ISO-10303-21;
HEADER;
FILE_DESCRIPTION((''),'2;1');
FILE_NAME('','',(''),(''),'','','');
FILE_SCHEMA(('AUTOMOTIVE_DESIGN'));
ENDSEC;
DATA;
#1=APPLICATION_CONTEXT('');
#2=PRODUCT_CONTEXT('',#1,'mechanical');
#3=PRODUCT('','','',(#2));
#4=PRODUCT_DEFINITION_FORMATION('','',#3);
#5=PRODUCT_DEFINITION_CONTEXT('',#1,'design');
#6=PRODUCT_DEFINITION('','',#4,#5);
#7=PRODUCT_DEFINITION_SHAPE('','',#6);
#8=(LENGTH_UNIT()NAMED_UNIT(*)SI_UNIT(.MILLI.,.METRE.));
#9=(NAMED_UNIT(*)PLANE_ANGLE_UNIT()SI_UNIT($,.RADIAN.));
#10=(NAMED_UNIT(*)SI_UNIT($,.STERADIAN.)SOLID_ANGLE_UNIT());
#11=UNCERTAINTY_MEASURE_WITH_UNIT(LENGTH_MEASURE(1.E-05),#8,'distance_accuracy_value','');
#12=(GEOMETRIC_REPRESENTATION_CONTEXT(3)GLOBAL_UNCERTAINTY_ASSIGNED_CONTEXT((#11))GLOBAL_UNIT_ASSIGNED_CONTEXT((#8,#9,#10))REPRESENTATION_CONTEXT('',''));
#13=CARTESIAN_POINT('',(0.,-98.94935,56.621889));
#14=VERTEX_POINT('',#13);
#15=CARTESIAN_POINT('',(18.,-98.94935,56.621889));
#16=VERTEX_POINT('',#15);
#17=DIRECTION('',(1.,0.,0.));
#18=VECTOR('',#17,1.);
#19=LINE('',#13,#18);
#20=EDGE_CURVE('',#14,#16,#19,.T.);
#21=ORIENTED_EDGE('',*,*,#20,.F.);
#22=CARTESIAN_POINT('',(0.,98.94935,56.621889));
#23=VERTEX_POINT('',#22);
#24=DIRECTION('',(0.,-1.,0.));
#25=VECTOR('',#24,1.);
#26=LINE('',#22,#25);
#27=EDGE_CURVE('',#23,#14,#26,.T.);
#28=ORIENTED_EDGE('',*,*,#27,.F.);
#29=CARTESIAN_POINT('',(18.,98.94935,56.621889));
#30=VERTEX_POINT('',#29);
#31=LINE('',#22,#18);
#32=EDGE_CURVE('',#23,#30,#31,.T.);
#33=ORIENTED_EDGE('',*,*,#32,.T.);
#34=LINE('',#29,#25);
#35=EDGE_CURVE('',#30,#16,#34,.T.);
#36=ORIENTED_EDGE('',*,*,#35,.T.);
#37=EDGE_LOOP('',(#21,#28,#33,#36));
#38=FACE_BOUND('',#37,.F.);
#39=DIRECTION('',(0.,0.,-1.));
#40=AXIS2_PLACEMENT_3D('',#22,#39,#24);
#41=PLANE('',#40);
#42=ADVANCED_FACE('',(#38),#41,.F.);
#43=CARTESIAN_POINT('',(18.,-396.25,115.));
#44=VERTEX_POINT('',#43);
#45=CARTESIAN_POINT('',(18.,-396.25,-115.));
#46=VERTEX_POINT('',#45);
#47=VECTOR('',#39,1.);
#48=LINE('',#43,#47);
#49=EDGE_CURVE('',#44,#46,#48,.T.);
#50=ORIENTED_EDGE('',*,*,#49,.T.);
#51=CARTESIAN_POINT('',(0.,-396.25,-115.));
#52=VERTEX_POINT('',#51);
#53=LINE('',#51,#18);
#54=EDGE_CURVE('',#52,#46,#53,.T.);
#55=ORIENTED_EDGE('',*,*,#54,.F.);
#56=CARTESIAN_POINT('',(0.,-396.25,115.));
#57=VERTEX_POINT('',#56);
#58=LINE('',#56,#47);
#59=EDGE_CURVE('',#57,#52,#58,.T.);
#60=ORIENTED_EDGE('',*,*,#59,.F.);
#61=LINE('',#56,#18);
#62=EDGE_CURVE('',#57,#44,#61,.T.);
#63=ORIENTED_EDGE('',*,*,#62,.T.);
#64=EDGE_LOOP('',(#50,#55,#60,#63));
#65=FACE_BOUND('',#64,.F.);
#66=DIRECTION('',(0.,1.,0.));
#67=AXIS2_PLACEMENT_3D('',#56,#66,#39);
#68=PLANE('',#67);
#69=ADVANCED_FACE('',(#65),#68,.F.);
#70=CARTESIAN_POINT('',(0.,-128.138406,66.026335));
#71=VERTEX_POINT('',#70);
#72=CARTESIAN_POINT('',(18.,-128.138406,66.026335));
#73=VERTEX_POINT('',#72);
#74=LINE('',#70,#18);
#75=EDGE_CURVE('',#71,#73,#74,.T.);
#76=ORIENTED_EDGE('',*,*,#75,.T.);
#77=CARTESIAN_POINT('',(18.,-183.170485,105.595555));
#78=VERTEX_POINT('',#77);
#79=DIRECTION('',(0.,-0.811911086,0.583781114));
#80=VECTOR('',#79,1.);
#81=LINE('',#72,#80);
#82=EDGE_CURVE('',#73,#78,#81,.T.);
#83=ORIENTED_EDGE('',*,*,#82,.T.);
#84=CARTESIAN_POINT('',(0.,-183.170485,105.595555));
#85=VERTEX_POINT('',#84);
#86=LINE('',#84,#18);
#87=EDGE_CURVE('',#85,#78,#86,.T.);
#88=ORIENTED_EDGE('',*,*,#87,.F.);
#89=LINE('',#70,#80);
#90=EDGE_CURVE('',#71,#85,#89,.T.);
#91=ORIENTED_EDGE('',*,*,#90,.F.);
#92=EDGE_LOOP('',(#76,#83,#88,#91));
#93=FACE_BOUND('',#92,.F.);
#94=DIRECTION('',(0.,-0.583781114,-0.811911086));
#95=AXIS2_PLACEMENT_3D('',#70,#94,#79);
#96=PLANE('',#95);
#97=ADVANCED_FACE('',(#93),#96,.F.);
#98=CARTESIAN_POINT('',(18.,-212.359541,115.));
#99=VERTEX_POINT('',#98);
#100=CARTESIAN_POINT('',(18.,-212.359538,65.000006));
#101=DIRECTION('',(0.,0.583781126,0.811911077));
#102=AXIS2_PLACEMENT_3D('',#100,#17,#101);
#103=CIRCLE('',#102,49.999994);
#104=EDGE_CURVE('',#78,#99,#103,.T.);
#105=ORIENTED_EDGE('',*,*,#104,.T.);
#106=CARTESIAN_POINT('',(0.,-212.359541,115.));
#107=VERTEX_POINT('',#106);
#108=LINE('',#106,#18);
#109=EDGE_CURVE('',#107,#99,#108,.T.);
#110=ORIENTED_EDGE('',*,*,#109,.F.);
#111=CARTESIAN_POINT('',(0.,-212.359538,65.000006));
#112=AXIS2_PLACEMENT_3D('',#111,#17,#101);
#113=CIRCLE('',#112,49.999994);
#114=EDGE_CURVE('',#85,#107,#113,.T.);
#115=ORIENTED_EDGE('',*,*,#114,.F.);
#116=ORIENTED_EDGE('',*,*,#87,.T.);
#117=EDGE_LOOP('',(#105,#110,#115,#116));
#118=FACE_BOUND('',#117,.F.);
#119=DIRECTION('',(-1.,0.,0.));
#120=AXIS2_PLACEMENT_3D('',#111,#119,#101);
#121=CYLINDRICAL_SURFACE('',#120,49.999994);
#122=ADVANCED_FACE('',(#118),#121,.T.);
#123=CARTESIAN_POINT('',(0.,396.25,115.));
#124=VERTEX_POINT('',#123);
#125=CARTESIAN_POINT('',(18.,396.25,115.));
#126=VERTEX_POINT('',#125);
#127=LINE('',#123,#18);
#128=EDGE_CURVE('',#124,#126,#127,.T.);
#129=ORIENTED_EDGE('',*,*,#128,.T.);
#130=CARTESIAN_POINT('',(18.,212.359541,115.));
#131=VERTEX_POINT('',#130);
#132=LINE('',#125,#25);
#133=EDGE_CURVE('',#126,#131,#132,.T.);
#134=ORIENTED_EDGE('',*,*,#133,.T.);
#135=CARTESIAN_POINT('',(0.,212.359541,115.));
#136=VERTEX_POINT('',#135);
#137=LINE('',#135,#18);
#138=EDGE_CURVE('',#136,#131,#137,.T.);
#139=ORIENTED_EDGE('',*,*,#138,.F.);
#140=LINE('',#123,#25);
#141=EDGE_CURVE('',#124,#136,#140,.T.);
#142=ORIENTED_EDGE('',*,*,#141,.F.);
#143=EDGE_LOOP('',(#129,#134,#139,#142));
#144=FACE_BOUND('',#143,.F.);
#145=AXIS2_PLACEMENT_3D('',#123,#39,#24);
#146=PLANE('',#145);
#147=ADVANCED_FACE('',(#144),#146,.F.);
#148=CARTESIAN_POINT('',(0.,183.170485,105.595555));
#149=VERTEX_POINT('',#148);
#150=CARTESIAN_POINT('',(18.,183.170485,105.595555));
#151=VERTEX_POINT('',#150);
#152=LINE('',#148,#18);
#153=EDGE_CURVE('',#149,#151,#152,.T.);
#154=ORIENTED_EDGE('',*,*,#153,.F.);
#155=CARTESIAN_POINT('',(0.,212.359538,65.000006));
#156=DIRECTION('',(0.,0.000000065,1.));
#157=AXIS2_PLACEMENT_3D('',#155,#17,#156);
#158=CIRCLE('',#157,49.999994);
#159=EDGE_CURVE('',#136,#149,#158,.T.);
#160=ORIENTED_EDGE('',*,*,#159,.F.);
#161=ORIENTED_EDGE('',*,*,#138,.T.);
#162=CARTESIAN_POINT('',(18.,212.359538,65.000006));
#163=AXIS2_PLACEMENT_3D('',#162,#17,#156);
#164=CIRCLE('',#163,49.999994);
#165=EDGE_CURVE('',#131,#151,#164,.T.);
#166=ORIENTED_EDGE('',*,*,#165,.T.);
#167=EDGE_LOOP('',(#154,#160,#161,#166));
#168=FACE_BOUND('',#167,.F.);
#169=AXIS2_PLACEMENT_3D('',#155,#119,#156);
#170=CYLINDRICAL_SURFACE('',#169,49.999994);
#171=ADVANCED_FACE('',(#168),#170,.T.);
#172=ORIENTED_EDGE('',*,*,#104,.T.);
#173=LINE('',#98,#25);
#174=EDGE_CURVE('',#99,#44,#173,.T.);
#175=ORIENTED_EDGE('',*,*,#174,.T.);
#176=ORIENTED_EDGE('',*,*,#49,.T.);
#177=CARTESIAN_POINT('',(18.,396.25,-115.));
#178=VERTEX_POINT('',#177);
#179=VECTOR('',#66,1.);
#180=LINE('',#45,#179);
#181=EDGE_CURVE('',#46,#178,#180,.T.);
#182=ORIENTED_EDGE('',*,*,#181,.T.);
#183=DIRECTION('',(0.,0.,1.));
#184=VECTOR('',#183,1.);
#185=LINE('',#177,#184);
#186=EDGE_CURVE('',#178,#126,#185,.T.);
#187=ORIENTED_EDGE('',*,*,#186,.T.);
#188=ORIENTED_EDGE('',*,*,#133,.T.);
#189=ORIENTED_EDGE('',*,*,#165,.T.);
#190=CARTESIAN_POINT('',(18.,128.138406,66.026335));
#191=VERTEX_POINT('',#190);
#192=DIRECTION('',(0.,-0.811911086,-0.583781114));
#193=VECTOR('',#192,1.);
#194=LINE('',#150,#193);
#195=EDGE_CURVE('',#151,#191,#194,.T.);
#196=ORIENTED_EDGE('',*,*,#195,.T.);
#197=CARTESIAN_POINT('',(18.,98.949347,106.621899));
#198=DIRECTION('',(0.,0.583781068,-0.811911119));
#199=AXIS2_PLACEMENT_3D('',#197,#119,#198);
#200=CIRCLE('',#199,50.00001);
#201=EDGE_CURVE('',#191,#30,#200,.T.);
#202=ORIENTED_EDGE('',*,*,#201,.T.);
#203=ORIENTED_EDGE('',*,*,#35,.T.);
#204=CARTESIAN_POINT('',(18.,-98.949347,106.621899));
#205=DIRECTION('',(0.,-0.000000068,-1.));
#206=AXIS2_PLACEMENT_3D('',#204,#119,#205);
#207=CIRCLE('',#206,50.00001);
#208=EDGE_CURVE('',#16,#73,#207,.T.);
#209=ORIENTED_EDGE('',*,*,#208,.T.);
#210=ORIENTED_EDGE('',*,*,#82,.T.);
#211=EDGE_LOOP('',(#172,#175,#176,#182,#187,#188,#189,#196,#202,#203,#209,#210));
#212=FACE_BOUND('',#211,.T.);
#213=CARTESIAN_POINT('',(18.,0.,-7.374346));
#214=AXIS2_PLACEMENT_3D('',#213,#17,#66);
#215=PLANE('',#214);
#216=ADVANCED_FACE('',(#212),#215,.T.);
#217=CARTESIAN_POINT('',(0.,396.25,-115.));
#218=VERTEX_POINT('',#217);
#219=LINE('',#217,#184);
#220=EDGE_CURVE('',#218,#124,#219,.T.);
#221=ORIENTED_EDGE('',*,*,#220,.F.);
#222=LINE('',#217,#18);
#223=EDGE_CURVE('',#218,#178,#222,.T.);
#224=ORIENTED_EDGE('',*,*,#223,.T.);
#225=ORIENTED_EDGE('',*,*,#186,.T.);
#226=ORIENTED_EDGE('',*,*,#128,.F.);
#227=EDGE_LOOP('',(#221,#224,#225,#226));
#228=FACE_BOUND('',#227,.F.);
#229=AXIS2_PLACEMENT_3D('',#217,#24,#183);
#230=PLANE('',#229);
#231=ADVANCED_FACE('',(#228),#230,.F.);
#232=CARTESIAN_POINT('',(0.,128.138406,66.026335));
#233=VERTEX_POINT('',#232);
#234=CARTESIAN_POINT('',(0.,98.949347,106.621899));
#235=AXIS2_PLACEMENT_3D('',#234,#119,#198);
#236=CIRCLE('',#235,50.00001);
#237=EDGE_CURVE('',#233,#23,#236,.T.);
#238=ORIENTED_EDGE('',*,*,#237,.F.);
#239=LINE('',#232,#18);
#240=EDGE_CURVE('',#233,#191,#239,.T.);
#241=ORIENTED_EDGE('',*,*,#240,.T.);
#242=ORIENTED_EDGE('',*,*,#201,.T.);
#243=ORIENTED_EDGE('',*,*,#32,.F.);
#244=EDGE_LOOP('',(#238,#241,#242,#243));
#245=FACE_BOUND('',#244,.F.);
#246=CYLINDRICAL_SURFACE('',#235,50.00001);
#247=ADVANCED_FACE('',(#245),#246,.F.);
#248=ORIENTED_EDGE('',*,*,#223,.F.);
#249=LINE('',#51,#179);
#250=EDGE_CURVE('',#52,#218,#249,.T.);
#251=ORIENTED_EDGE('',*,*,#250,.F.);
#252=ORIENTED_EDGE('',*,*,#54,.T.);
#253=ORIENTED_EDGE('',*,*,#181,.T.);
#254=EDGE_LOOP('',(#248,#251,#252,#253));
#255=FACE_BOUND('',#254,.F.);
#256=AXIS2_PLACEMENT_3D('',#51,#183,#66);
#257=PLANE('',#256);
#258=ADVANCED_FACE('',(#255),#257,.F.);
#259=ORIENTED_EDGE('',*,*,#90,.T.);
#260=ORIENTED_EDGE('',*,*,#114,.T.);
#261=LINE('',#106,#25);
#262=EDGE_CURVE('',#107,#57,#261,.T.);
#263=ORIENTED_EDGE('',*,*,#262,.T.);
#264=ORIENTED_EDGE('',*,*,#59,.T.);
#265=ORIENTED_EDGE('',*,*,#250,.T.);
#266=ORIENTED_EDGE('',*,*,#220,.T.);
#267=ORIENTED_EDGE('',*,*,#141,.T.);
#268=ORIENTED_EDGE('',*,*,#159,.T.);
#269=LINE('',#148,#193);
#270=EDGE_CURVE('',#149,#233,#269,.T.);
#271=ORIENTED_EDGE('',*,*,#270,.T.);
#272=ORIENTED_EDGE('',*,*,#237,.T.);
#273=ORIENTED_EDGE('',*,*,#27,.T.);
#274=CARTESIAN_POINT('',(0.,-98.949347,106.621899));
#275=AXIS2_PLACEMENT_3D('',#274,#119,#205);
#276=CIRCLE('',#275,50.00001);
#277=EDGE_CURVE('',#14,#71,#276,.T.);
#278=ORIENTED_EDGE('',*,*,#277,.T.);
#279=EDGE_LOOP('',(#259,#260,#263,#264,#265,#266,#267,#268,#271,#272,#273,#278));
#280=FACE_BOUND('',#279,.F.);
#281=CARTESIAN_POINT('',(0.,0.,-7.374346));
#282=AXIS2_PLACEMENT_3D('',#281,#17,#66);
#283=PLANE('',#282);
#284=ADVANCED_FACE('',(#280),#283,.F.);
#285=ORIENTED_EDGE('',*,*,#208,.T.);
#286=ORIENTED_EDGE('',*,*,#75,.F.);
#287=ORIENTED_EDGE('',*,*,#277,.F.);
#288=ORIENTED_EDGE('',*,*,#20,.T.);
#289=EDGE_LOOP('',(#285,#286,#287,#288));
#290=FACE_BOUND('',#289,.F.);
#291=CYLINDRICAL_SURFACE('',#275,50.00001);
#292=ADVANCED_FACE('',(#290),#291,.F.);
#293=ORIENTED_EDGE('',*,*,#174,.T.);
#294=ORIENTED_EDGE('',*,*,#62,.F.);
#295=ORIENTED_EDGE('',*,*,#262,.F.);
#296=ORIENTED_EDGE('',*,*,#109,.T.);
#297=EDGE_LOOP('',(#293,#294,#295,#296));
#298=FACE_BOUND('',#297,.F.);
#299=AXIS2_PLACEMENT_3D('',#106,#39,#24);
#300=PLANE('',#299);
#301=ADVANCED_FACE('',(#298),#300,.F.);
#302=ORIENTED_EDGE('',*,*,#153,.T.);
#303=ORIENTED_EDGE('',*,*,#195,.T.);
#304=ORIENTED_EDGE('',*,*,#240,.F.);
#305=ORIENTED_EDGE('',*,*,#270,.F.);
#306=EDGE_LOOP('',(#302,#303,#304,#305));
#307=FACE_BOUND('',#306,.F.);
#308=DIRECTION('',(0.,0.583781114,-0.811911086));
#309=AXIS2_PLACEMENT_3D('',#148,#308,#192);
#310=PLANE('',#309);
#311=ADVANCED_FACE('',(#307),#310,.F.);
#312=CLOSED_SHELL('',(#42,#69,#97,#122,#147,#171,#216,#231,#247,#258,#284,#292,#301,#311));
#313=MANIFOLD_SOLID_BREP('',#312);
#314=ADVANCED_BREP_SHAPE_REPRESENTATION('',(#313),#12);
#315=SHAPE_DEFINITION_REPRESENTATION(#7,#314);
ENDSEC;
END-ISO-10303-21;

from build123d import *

# Parameters (mm, degrees)
F1_DEPTH = 18


with BuildPart() as f1:
    # F0 (on Right) → F1 (new body)
    with BuildSketch(Plane.YZ):
        with BuildLine():
            Line((396.25, -115), (396.25, 115))
            Line((396.25, 115), (212.359541, 115))
            ThreePointArc((212.359541, 115), (197.026206, 112.590849), (183.170485, 105.595555))
            Line((183.170485, 105.595555), (128.138406, 66.026335))
            ThreePointArc((128.138406, 66.026335), (114.282684, 59.031041), (98.94935, 56.621889))
            Line((98.94935, 56.621889), (-98.94935, 56.621889))
            ThreePointArc((-98.94935, 56.621889), (-114.282684, 59.031041), (-128.138406, 66.026335))
            Line((-128.138406, 66.026335), (-183.170485, 105.595555))
            ThreePointArc((-183.170485, 105.595555), (-197.026206, 112.590849), (-212.359541, 115))
            Line((-212.359541, 115), (-396.25, 115))
            Line((-396.25, 115), (-396.25, -115))
            Line((-396.25, -115), (396.25, -115))
        make_face()
    extrude(amount=F1_DEPTH)


solid = f1.part
